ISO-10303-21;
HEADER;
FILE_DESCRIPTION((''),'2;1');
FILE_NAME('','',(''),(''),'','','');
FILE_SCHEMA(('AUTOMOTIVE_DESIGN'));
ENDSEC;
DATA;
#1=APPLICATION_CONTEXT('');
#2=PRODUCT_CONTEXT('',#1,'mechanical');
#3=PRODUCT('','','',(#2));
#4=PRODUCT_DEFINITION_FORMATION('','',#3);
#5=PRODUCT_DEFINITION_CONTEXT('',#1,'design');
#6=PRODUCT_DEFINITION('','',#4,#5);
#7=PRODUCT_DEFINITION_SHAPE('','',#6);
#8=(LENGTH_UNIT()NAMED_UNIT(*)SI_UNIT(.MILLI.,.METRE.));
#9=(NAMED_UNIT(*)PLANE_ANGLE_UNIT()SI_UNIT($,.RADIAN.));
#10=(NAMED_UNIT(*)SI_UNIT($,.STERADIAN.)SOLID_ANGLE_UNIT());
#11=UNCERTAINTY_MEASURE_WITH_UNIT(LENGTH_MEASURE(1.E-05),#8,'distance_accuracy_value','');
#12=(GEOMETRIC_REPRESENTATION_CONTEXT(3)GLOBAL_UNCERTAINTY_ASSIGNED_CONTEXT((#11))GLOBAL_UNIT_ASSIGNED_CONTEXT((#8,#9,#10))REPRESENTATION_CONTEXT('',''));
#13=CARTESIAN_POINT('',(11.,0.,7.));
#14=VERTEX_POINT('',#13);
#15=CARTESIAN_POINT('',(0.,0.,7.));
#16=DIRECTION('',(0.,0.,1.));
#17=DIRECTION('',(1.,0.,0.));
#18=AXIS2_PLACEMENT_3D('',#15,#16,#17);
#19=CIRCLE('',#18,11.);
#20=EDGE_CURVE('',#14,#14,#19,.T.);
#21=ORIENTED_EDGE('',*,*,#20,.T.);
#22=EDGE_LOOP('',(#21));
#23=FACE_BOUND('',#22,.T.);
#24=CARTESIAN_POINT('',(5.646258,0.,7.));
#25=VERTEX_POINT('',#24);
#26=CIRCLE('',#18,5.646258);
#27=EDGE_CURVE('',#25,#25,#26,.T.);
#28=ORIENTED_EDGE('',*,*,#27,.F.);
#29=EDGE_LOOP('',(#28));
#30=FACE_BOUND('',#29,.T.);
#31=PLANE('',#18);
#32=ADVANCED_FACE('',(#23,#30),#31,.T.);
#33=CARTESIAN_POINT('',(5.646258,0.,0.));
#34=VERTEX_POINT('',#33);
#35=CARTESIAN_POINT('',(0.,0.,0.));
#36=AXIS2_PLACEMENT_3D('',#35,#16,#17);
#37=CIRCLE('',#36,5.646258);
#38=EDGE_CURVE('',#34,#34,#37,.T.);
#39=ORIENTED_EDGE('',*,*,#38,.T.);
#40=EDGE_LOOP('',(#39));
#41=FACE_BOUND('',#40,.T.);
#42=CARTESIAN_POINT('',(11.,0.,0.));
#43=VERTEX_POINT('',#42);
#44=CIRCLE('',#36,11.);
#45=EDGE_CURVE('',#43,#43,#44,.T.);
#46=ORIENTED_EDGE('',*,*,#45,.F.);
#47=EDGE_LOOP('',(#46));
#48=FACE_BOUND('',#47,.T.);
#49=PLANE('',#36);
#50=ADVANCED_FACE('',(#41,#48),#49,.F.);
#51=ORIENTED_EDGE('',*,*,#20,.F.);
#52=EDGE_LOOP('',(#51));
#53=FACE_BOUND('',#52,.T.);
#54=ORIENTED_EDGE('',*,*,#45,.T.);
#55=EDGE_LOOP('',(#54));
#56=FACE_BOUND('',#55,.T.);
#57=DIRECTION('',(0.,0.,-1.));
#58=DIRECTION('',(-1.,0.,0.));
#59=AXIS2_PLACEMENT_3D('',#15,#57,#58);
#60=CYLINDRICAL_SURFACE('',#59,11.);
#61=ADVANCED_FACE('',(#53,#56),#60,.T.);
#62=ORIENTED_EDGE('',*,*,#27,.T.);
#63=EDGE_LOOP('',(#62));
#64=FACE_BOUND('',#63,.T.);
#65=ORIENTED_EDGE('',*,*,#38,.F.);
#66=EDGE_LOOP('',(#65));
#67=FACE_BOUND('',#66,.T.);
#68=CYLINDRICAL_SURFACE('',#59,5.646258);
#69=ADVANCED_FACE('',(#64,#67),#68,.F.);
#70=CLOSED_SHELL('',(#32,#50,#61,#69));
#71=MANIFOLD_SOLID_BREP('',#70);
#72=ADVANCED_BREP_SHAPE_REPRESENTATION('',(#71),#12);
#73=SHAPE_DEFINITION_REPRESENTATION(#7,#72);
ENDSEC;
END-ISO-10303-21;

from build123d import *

# Parameters (mm, degrees)
CROQUIS1_R              = 11
CROQUIS1_R_2            = 5.646258403
SALIENTE_EXTRUIR1_DEPTH = 7


with BuildPart() as part:
    # Croquis1 → Saliente-Extruir1 (new body)
    with BuildSketch(Plane.XY):
        Circle(CROQUIS1_R)
        Circle(CROQUIS1_R_2, mode=Mode.SUBTRACT)
    extrude(amount=SALIENTE_EXTRUIR1_DEPTH)


solid = part.part
